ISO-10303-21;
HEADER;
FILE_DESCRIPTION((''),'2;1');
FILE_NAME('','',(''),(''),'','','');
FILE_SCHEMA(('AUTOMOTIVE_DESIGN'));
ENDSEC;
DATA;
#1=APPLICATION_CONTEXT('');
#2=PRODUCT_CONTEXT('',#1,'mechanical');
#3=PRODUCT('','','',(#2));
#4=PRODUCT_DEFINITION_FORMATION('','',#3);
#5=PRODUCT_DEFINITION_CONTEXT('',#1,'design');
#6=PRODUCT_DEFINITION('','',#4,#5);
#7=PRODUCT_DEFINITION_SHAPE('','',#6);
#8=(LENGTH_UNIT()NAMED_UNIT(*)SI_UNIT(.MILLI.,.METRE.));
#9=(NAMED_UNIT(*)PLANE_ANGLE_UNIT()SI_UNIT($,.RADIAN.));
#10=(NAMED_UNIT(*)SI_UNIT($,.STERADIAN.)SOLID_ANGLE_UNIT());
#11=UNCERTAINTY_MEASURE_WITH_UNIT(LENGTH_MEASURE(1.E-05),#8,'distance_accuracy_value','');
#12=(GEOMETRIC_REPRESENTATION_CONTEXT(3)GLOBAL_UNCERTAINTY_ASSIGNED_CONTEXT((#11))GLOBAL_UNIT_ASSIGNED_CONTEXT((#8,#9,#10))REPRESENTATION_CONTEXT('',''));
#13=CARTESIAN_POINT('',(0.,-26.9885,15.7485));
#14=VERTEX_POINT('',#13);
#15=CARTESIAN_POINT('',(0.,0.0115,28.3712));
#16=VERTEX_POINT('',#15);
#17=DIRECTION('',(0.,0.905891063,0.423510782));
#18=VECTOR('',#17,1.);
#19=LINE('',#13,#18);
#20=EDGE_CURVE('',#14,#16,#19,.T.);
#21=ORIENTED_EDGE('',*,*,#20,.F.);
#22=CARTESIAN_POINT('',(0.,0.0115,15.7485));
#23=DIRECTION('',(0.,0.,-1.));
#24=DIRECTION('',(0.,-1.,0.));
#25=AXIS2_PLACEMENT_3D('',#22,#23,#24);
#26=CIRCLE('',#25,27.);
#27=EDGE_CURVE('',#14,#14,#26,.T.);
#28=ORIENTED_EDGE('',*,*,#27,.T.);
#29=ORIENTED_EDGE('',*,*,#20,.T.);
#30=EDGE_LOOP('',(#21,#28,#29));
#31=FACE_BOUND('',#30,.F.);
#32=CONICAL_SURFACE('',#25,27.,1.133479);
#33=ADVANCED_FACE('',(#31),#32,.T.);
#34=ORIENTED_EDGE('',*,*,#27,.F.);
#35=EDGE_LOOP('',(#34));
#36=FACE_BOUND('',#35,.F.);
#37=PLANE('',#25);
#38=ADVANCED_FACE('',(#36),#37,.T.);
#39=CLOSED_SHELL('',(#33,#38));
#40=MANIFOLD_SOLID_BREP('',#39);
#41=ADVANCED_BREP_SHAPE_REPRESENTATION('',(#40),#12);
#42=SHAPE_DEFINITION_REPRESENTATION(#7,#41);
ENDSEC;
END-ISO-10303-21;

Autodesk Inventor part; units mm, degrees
ref_plane "YZ Plane" through (0, 0, 0) normal (1, 0, 0) x (0, 1, 0)
ref_plane "XZ Plane" through (0, 0, 0) normal (0, 1, 0) x (-1, 0, 0)
ref_plane "XY Plane" through (0, 0, 0) normal (0, 0, 1) x (1, 0, 0)
sketch "Эскиз1" plane through (0, 0, 0) normal (1, 0, 0) x (0, 1, 0)
  line L0 (-97.1998, 152.9865) -> (97.1998, 152.9865) projected
  line L1 (27.0115, 58.2424) -> (-26.9885, 58.2424) projected
  line L2 (-4.8441, 44.0424) -> (4.8559, 44.0424) construction
  line L3 (0.0115, 216.6365) -> (-2699.9885, 216.6365)
  ellipse E0 centre (-65.8474, 190.1365) end of major axis (-65.8474, 216.6365) minor radius 18.7383 projected
  line L4 (0.0115, 58.2424) -> (0.0115, 216.6365) construction
  line L5 (27.0115, 58.2424) -> (-26.9885, 58.2424) construction
  line L6 (-2699.9885, 216.6365) -> (-2699.9885, 96.6365)
  line L7 (0.0115, 58.2424) -> (0.0115, -1.5) construction
  line L8 (-6.7941, 43.9424) -> (6.8059, 43.9424) projected
  line L9 (27.0115, 15.7485) -> (-26.9885, 15.7485)
  line L10 (-26.9885, 15.7485) -> (0.0115, 28.3712)
  line L11 (27.0115, 15.7485) -> (0.0115, 28.3712)
  line L12 (-4.6441, 44.0424) -> (-26.8073, 15.8332) construction
  line L13 (4.6559, 44.0424) -> (-3.4855, 54.4048) construction
  line L14 (-26.8073, 15.8332) -> (-24.4759, 10.8463) construction
  line L15 (-62.6653, 16.9171) -> (-26.8073, 15.8332) construction
  line L16 (-62.6653, 16.9171) -> (-2699.9885, 96.6365)
  line L17 (-0.0885, 44.0424) -> (-0.0885, 28.3245) construction
  line L18 (0.0115, 28.3712) -> (0.0115, 15.7485)
  line L19 (-0.0885, 28.3245) -> (-0.563, 29.3395) construction
  line L20 (-12.149, 38.4041) -> (-0.0885, 28.3245) construction
  line L21 (-12.149, 38.4041) -> (-119.3337, 127.9837)
  circle A0 centre (-144, 170) radius 37
  point P0 (0.0115, 47.4305)
  dimension "d10" = 2700
  dimension "d11" = 120
  dimension "d12" = 218.1365
  dimension "d13" = 45.4424
  dimension "d16" = 0.2
  dimension "d17" = 0.1
  dimension "d19" = 0.2
  dimension "d20" = 76.312
  dimension "d21" = 38.156
  dimension "d25" = 0
  dimension "d26" = 54
  dimension "d32" = 74
  dimension "d34" = 0.2
  dimension "d35" = 19.0592
revolve "Вращение1" add sketch "Эскиз1" angle 360 about axis through (0, 0.0115, 58.2424) along (0, 0, -1) contours L9 L10 L18
sketch "Эскиз3" plane through (0, 0, 0) normal (1, 0, 0) x (0, 1, 0)
  point P0 (0, 0)
equation "\"d19\" = d16"
equation "\"d21\" = 0.5 * d20"
properties part number "mirror2"
